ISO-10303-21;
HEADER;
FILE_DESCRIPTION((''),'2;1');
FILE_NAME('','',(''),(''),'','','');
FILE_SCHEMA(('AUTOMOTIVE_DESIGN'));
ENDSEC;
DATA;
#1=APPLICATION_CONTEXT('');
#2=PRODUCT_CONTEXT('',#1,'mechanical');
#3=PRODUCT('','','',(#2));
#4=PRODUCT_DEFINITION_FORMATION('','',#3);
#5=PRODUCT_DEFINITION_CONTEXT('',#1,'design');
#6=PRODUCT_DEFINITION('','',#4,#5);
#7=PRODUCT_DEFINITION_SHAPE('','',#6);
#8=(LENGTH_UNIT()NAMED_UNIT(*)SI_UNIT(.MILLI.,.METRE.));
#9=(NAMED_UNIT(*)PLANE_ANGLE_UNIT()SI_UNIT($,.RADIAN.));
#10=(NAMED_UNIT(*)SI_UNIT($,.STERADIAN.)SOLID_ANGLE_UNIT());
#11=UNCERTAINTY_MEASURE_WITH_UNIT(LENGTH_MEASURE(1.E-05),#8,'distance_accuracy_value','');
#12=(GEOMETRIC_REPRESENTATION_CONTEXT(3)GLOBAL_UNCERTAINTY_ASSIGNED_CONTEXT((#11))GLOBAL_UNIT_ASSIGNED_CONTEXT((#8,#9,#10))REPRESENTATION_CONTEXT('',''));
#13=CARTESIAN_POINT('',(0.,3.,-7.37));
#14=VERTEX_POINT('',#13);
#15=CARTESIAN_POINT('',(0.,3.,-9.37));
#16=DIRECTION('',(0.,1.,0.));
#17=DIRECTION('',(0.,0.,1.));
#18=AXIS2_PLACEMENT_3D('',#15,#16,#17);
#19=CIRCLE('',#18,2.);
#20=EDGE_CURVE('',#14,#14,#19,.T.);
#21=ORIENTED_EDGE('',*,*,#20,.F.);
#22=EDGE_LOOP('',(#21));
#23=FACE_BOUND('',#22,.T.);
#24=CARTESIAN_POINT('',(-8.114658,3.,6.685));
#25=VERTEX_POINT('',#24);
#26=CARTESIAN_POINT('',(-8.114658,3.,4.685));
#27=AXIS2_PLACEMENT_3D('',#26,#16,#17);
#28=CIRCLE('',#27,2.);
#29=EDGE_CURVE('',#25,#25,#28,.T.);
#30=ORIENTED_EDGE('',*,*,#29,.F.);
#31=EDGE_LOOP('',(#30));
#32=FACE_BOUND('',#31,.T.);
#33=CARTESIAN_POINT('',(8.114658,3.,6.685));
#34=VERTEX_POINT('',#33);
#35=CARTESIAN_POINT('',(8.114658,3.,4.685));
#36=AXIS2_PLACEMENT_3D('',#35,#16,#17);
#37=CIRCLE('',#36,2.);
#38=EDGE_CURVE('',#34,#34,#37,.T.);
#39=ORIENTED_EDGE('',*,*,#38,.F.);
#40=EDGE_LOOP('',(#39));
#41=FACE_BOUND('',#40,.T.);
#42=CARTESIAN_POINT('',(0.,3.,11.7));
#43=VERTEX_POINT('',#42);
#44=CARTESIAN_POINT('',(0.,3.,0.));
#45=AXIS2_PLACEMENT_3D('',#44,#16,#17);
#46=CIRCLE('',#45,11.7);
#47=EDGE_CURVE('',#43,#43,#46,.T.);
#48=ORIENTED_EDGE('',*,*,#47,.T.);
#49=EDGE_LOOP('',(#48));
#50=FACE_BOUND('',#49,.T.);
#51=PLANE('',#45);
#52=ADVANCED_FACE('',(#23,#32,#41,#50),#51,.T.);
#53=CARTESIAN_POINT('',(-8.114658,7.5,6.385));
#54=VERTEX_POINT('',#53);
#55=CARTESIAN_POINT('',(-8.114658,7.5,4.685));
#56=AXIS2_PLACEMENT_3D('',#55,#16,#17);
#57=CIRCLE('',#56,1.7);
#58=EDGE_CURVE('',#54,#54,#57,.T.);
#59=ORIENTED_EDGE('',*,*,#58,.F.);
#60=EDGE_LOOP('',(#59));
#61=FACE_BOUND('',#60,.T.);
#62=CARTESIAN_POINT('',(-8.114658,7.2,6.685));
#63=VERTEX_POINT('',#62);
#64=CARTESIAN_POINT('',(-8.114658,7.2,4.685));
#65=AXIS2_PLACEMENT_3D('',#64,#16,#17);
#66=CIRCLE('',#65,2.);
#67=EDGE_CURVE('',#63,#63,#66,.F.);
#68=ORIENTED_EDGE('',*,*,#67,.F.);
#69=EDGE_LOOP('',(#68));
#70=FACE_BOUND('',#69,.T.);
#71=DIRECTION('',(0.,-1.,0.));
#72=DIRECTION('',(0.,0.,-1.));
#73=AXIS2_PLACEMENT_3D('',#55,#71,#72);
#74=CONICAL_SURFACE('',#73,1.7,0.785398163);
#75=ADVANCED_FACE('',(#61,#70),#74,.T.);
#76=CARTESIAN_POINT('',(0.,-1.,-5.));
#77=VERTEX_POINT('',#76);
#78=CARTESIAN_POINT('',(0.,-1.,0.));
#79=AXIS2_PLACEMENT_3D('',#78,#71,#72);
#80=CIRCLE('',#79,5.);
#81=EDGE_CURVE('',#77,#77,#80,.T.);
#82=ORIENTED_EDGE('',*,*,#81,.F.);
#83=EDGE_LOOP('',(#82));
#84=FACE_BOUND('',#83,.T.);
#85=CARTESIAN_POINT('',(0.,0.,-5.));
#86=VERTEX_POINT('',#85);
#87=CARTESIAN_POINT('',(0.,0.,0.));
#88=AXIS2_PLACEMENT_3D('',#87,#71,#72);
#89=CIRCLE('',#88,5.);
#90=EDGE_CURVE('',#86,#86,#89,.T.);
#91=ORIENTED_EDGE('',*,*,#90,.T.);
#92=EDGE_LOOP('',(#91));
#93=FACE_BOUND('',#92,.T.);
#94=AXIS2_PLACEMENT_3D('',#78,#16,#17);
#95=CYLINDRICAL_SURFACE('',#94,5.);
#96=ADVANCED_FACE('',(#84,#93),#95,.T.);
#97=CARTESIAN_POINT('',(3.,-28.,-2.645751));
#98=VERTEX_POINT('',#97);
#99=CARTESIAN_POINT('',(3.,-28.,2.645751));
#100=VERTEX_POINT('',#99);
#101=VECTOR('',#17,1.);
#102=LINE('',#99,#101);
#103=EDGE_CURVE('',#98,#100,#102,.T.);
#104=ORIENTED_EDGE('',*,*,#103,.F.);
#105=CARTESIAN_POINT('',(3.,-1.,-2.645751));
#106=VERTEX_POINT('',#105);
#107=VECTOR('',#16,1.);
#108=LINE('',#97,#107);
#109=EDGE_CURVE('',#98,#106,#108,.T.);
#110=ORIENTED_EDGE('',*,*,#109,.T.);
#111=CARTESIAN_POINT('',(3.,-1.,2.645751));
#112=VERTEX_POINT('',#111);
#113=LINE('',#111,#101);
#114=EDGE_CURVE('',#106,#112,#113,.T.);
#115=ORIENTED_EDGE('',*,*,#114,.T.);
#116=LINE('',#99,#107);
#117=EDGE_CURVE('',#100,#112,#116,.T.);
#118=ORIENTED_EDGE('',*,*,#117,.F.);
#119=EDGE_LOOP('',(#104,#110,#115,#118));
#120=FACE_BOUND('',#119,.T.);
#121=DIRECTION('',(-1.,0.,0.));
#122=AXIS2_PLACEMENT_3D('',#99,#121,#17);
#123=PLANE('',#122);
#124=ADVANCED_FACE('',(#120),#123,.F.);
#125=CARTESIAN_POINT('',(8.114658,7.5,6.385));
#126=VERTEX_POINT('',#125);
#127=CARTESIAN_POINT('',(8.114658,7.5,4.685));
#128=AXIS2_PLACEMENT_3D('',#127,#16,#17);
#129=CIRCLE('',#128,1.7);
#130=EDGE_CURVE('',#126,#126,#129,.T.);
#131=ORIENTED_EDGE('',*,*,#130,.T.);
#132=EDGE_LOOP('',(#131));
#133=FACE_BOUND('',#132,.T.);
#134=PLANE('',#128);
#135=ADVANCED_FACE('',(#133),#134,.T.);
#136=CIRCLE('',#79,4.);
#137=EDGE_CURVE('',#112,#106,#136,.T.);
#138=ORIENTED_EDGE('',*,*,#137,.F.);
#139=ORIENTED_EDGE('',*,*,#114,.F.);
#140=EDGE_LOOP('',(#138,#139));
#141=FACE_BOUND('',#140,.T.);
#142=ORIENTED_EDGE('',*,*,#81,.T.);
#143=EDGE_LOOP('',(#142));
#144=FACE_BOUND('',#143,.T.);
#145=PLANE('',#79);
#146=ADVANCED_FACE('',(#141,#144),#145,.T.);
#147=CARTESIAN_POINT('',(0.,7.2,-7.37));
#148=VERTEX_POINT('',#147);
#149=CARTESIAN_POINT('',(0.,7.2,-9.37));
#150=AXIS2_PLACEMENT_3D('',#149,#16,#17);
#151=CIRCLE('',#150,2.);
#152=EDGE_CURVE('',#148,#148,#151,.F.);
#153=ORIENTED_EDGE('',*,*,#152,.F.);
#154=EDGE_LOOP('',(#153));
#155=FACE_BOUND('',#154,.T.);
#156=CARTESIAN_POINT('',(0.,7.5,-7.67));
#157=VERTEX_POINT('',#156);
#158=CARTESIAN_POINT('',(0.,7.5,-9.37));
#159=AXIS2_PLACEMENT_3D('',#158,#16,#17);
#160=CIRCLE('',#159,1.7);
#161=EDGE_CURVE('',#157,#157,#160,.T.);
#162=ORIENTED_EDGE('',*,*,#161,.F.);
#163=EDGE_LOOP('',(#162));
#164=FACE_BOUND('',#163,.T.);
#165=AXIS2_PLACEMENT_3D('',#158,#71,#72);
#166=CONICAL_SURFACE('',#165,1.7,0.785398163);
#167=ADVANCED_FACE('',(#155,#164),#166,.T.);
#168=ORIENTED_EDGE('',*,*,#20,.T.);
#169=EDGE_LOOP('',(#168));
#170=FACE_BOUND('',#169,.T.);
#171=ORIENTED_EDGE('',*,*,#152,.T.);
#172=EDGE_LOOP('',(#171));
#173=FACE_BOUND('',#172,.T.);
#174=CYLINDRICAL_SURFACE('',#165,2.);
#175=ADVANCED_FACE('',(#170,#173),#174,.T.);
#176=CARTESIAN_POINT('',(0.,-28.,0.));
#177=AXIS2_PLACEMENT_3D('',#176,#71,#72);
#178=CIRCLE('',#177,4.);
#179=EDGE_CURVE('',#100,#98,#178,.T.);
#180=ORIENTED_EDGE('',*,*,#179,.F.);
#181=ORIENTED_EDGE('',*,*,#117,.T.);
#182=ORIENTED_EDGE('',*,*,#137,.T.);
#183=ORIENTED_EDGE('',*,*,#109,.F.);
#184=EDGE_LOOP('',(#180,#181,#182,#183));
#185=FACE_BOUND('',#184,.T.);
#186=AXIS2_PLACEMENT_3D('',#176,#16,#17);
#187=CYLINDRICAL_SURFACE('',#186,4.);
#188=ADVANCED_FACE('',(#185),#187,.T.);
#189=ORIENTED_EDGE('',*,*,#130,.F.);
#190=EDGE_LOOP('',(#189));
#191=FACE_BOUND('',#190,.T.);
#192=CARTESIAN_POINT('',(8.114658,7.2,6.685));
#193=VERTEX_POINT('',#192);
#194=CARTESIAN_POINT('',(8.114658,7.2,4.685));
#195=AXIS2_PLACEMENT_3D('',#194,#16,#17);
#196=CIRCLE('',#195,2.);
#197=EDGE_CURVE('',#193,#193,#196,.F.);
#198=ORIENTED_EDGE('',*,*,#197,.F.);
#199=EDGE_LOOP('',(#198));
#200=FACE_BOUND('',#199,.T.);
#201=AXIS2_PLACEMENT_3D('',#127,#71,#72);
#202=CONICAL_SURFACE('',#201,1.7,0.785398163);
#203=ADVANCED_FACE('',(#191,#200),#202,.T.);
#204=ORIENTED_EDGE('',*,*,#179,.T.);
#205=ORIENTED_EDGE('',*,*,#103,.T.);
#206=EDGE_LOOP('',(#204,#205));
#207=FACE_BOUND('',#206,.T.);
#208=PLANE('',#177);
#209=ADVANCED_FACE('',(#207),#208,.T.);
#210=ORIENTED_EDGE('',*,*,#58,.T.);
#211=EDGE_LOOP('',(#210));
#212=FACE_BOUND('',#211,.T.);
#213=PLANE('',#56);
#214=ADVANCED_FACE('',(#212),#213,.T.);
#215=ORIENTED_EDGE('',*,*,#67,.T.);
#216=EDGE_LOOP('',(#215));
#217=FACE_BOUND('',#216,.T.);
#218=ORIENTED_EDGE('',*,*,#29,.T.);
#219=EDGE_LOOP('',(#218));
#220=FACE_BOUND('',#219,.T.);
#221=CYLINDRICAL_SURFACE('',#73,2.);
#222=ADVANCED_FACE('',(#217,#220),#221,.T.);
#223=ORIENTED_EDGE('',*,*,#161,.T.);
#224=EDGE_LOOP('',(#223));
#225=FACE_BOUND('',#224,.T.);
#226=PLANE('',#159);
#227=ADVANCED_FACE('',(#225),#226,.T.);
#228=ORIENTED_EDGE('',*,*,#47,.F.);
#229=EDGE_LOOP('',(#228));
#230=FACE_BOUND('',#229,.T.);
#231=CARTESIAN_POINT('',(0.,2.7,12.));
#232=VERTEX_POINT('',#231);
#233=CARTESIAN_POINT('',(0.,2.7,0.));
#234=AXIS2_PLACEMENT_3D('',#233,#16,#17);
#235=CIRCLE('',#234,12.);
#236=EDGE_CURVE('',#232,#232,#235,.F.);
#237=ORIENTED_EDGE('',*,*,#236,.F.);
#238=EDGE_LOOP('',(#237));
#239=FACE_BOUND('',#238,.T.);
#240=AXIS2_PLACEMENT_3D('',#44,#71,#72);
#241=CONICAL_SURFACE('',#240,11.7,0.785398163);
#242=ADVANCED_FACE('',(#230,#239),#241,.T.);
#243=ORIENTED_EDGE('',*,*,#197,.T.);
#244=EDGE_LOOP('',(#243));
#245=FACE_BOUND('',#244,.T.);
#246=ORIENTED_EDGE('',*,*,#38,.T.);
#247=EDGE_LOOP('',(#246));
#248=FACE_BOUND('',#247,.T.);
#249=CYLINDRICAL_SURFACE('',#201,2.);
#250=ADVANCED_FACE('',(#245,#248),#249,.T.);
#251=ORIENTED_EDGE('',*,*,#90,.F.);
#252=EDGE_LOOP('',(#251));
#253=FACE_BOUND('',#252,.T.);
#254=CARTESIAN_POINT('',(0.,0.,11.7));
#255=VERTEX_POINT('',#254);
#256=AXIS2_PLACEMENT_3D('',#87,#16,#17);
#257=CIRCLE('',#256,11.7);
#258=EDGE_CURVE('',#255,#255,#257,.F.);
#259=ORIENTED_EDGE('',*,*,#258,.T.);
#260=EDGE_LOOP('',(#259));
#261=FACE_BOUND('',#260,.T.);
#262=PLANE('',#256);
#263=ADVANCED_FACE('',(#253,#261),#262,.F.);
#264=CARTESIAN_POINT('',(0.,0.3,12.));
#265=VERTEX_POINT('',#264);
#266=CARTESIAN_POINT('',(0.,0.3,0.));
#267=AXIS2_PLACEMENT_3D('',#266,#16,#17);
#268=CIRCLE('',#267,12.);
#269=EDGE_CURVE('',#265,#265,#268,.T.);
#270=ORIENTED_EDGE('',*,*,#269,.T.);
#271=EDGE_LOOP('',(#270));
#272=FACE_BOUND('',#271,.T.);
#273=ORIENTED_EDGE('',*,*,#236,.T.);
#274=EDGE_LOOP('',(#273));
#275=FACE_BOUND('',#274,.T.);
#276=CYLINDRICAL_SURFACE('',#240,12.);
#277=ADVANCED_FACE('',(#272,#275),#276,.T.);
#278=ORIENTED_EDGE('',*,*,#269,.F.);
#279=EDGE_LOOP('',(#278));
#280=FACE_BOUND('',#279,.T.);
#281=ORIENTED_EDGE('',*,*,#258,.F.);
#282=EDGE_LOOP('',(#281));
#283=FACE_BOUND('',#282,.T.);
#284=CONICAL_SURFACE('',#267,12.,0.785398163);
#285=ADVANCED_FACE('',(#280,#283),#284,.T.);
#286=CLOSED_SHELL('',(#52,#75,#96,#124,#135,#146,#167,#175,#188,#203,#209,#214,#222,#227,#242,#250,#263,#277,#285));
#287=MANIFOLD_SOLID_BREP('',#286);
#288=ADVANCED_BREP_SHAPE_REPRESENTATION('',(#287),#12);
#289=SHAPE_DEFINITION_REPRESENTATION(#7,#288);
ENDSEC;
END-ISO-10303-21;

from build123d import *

# Parameters (mm, degrees)
SKETCH1_R           = 12
BOSS_EXTRUDE1_DEPTH = 3
SKETCH2_R           = 2
BOSS_EXTRUDE2_DEPTH = 4.5
SKETCH3_R           = 5
BOSS_EXTRUDE3_DEPTH = 1
BOSS_EXTRUDE4_DEPTH = 27
CHAMFER1_SIZE       = 0.3


with BuildPart() as part:
    # Sketch1 → Boss-Extrude1 (new body)
    with BuildSketch(Plane(origin=(0, 0, 0), x_dir=(1, 0, 0), z_dir=(0, 1, 0))):
        with Locations(Location((0, 0, 0), (0, 0, 270))):
            Circle(SKETCH1_R)
    extrude(amount=BOSS_EXTRUDE1_DEPTH)

    # Sketch2 → Boss-Extrude2 (add)
    with BuildSketch(Plane(origin=(0, 3, 0), x_dir=(1, 0, 0), z_dir=(0, 1, 0))):
        with Locations(Location((0, 9.37, 0), (0, 0, 270))):
            Circle(SKETCH2_R)
        with Locations(Location((-8.114658033, -4.685, 0), (0, 0, 270))):
            Circle(SKETCH2_R)
        with Locations(Location((8.114658033, -4.685, 0), (0, 0, 270))):
            Circle(SKETCH2_R)
    extrude(amount=BOSS_EXTRUDE2_DEPTH)

    # Sketch3 → Boss-Extrude3 (add)
    with BuildSketch(Plane.XZ):
        with Locations(Location((0, 0, 0), (0, 0, 270))):
            Circle(SKETCH3_R)
    extrude(amount=BOSS_EXTRUDE3_DEPTH)

    # Sketch4 → Boss-Extrude4 (add)
    with BuildSketch(Plane.XZ.offset(1)):
        with BuildLine():
            Line((3, 2.645751311), (3, -2.645751311))
            ThreePointArc((3, -2.645751311), (-4, 0), (3, 2.645751311))
        make_face()
    extrude(amount=BOSS_EXTRUDE4_DEPTH)

    # Chamfer1
    chamfer1_edges = [part.edges().sort_by_distance(p)[0] for p in [
        (-8.114658033, 7.5, 2.685),
        (8.114658033, 7.5, 2.685),
        (0, 0, -12),
        (0, 3, -12),
        (0, 7.5, -11.37),
    ]]
    chamfer(chamfer1_edges, length=CHAMFER1_SIZE)


solid = part.part
